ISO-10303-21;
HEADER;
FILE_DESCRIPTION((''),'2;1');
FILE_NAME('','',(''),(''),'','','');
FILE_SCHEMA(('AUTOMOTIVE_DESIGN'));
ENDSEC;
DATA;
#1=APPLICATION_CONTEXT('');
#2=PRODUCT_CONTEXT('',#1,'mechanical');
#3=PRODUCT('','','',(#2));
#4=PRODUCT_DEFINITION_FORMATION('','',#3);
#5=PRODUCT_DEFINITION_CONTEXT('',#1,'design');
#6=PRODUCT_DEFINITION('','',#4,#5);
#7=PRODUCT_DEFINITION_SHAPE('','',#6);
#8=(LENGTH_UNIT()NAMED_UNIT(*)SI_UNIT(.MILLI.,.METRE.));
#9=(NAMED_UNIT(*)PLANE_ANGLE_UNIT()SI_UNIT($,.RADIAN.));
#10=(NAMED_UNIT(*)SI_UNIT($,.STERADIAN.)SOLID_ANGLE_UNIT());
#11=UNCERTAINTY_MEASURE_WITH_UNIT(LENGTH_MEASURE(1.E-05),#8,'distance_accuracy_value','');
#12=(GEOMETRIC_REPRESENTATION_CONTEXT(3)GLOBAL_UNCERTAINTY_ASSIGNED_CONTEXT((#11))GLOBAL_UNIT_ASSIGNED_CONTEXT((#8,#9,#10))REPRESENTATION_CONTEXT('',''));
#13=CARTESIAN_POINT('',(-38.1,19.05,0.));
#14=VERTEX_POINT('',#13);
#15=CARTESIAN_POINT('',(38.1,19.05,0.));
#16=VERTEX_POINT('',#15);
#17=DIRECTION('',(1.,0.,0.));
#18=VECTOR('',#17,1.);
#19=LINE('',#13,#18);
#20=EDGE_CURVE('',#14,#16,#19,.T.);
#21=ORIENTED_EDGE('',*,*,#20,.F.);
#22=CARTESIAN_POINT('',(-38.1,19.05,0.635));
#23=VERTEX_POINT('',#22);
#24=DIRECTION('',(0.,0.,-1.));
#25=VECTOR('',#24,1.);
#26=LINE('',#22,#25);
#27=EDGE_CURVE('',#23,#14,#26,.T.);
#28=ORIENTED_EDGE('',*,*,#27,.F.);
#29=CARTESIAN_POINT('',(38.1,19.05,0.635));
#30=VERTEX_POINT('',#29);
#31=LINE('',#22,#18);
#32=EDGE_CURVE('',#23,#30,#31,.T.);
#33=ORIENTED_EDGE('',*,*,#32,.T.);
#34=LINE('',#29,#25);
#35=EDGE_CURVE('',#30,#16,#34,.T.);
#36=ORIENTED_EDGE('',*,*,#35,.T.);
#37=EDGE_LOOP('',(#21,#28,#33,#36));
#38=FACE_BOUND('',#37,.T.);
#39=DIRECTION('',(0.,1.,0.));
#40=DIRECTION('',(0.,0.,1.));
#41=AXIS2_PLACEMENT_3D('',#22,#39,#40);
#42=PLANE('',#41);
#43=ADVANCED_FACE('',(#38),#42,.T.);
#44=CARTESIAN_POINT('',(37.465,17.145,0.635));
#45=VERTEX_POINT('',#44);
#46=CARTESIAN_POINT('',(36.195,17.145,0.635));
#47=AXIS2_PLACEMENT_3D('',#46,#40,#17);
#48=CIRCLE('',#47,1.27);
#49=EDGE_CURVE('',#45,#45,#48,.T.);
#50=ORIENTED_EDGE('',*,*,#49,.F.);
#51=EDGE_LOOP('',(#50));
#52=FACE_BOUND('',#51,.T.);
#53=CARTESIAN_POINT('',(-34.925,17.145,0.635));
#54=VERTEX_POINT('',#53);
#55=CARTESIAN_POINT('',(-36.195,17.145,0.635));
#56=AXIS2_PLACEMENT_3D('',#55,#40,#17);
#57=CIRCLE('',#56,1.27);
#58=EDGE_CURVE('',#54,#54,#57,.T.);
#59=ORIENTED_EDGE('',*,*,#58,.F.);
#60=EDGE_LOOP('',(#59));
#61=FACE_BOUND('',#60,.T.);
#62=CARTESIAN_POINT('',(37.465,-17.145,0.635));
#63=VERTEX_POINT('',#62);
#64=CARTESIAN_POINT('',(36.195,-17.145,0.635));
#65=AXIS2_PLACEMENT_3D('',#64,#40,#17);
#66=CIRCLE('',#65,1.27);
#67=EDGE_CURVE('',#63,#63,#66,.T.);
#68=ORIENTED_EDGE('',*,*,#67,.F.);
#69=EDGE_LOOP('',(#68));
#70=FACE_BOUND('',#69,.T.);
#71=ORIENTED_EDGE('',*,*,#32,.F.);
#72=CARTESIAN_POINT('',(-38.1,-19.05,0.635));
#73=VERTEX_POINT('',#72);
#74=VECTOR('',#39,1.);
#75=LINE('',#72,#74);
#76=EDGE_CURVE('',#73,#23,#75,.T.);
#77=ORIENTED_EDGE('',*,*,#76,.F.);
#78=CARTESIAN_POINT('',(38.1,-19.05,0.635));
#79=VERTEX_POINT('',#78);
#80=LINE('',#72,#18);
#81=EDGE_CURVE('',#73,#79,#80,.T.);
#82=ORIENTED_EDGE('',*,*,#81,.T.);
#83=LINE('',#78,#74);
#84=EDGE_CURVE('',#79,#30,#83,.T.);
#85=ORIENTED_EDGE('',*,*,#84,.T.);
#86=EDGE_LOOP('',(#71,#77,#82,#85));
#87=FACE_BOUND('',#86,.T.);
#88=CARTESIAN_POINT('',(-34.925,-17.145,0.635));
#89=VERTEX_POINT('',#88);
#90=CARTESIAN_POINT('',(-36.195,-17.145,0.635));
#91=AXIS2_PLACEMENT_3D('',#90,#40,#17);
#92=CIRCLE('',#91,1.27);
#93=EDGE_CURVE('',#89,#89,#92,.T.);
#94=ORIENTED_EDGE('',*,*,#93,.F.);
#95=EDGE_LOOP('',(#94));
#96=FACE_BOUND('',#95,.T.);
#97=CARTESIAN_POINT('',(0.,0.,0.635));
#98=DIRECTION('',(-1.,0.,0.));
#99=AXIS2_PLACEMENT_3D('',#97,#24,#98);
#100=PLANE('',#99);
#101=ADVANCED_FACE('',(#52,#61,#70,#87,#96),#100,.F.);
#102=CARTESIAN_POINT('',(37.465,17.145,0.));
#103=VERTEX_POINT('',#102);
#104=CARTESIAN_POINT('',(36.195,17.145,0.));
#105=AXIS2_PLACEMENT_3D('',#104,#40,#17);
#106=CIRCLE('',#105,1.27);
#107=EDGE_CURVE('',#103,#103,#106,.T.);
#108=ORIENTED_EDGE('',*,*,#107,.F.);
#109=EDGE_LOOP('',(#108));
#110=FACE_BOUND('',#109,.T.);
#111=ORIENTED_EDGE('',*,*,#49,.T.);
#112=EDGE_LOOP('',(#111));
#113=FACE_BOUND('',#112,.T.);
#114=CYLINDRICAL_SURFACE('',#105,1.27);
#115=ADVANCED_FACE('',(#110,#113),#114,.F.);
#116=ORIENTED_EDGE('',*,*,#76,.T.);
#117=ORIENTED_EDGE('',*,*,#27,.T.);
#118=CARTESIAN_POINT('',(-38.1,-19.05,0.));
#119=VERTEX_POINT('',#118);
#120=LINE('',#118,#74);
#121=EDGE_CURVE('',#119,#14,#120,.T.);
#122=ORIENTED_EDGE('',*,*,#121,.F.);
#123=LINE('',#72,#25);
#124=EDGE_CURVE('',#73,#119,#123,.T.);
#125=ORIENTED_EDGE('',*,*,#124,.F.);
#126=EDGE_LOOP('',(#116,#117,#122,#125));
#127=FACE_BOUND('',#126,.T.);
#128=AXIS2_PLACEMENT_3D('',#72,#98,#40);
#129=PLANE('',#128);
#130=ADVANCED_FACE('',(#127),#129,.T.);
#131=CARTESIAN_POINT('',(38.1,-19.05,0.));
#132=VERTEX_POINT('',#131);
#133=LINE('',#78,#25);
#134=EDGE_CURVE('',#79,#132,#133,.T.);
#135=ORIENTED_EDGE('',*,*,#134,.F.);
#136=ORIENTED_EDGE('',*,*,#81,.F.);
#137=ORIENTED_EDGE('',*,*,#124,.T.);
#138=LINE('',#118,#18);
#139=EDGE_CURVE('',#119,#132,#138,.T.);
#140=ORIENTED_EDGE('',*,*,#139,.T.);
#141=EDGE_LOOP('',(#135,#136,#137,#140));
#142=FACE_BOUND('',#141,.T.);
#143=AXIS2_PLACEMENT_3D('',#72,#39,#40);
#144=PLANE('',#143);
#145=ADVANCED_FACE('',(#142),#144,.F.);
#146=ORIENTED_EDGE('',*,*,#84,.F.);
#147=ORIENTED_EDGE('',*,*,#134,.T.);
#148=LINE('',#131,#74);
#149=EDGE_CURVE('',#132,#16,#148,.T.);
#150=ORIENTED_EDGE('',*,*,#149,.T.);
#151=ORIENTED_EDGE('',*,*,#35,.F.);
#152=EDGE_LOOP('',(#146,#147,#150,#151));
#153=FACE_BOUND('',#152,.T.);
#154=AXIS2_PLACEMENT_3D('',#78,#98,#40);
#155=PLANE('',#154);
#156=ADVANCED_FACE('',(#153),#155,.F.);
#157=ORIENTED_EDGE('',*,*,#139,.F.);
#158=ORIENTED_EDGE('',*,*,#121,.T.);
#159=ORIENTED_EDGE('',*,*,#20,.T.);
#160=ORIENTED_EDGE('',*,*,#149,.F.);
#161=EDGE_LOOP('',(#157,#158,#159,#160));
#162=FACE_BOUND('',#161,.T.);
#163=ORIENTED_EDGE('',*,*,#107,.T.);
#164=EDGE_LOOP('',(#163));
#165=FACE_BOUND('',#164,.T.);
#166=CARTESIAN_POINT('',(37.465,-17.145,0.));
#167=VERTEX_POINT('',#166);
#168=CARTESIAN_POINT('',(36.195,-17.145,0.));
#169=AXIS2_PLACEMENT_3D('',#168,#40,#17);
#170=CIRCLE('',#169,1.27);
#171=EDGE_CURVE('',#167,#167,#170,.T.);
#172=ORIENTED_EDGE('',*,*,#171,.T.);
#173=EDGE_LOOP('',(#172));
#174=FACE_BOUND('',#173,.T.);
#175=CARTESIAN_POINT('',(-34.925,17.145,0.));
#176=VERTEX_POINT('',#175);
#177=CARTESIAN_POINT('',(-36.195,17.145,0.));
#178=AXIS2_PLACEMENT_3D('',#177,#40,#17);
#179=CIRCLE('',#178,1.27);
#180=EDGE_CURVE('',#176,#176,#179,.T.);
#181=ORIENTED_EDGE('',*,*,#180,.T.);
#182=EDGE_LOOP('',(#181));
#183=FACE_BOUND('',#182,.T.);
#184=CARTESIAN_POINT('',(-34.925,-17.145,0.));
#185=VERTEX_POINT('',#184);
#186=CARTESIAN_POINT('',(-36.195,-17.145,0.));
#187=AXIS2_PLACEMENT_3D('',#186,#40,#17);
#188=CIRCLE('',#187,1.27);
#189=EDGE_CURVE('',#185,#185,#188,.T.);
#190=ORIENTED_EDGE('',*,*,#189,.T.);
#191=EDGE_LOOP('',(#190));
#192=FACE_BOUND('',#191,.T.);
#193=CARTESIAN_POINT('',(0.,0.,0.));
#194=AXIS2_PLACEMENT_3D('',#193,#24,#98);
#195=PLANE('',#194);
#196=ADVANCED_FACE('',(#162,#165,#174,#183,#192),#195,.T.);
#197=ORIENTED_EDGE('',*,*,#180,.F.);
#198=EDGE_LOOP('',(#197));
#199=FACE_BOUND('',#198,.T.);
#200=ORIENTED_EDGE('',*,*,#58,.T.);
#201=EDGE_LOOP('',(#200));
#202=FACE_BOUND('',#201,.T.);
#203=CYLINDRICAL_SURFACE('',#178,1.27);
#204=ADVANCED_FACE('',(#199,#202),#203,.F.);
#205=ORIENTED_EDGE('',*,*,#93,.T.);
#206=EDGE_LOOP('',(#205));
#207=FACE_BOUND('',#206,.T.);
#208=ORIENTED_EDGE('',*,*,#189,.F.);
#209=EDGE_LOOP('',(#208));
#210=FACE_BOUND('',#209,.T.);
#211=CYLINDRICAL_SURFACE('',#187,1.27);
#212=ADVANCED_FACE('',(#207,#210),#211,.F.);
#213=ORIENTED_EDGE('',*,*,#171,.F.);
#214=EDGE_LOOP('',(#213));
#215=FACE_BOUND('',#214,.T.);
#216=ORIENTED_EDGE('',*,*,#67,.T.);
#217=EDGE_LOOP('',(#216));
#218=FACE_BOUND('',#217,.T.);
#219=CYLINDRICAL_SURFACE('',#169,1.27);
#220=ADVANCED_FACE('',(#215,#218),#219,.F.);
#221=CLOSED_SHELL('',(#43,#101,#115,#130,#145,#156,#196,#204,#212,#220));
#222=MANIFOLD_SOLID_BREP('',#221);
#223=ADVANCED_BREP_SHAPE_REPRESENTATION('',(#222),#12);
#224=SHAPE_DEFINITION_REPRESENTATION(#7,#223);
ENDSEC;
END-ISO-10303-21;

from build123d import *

# Parameters (mm, degrees)
SKETCH1_W           = 76.2
SKETCH1_H           = 38.1
BOSS_EXTRUDE1_DEPTH = 0.635
SKETCH2_R           = 1.27
CUT_EXTRUDE4_DEPTH  = 43.601827719


with BuildPart() as part:
    # Sketch1 → Boss-Extrude1 (new body)
    with BuildSketch(Plane.XY):
        Rectangle(SKETCH1_W, SKETCH1_H)
    extrude(amount=BOSS_EXTRUDE1_DEPTH)

    # Sketch2 → Cut-Extrude4 (cut, through all)
    with BuildSketch(Plane.XY.offset(0.635)):
        with Locations((-36.195, 17.145)):
            Circle(SKETCH2_R)
        with Locations((-36.195, -17.145)):
            Circle(SKETCH2_R)
        with Locations((36.195, -17.145)):
            Circle(SKETCH2_R)
        with Locations((36.195, 17.145)):
            Circle(SKETCH2_R)
    extrude(amount=-CUT_EXTRUDE4_DEPTH, mode=Mode.SUBTRACT)


solid = part.part
